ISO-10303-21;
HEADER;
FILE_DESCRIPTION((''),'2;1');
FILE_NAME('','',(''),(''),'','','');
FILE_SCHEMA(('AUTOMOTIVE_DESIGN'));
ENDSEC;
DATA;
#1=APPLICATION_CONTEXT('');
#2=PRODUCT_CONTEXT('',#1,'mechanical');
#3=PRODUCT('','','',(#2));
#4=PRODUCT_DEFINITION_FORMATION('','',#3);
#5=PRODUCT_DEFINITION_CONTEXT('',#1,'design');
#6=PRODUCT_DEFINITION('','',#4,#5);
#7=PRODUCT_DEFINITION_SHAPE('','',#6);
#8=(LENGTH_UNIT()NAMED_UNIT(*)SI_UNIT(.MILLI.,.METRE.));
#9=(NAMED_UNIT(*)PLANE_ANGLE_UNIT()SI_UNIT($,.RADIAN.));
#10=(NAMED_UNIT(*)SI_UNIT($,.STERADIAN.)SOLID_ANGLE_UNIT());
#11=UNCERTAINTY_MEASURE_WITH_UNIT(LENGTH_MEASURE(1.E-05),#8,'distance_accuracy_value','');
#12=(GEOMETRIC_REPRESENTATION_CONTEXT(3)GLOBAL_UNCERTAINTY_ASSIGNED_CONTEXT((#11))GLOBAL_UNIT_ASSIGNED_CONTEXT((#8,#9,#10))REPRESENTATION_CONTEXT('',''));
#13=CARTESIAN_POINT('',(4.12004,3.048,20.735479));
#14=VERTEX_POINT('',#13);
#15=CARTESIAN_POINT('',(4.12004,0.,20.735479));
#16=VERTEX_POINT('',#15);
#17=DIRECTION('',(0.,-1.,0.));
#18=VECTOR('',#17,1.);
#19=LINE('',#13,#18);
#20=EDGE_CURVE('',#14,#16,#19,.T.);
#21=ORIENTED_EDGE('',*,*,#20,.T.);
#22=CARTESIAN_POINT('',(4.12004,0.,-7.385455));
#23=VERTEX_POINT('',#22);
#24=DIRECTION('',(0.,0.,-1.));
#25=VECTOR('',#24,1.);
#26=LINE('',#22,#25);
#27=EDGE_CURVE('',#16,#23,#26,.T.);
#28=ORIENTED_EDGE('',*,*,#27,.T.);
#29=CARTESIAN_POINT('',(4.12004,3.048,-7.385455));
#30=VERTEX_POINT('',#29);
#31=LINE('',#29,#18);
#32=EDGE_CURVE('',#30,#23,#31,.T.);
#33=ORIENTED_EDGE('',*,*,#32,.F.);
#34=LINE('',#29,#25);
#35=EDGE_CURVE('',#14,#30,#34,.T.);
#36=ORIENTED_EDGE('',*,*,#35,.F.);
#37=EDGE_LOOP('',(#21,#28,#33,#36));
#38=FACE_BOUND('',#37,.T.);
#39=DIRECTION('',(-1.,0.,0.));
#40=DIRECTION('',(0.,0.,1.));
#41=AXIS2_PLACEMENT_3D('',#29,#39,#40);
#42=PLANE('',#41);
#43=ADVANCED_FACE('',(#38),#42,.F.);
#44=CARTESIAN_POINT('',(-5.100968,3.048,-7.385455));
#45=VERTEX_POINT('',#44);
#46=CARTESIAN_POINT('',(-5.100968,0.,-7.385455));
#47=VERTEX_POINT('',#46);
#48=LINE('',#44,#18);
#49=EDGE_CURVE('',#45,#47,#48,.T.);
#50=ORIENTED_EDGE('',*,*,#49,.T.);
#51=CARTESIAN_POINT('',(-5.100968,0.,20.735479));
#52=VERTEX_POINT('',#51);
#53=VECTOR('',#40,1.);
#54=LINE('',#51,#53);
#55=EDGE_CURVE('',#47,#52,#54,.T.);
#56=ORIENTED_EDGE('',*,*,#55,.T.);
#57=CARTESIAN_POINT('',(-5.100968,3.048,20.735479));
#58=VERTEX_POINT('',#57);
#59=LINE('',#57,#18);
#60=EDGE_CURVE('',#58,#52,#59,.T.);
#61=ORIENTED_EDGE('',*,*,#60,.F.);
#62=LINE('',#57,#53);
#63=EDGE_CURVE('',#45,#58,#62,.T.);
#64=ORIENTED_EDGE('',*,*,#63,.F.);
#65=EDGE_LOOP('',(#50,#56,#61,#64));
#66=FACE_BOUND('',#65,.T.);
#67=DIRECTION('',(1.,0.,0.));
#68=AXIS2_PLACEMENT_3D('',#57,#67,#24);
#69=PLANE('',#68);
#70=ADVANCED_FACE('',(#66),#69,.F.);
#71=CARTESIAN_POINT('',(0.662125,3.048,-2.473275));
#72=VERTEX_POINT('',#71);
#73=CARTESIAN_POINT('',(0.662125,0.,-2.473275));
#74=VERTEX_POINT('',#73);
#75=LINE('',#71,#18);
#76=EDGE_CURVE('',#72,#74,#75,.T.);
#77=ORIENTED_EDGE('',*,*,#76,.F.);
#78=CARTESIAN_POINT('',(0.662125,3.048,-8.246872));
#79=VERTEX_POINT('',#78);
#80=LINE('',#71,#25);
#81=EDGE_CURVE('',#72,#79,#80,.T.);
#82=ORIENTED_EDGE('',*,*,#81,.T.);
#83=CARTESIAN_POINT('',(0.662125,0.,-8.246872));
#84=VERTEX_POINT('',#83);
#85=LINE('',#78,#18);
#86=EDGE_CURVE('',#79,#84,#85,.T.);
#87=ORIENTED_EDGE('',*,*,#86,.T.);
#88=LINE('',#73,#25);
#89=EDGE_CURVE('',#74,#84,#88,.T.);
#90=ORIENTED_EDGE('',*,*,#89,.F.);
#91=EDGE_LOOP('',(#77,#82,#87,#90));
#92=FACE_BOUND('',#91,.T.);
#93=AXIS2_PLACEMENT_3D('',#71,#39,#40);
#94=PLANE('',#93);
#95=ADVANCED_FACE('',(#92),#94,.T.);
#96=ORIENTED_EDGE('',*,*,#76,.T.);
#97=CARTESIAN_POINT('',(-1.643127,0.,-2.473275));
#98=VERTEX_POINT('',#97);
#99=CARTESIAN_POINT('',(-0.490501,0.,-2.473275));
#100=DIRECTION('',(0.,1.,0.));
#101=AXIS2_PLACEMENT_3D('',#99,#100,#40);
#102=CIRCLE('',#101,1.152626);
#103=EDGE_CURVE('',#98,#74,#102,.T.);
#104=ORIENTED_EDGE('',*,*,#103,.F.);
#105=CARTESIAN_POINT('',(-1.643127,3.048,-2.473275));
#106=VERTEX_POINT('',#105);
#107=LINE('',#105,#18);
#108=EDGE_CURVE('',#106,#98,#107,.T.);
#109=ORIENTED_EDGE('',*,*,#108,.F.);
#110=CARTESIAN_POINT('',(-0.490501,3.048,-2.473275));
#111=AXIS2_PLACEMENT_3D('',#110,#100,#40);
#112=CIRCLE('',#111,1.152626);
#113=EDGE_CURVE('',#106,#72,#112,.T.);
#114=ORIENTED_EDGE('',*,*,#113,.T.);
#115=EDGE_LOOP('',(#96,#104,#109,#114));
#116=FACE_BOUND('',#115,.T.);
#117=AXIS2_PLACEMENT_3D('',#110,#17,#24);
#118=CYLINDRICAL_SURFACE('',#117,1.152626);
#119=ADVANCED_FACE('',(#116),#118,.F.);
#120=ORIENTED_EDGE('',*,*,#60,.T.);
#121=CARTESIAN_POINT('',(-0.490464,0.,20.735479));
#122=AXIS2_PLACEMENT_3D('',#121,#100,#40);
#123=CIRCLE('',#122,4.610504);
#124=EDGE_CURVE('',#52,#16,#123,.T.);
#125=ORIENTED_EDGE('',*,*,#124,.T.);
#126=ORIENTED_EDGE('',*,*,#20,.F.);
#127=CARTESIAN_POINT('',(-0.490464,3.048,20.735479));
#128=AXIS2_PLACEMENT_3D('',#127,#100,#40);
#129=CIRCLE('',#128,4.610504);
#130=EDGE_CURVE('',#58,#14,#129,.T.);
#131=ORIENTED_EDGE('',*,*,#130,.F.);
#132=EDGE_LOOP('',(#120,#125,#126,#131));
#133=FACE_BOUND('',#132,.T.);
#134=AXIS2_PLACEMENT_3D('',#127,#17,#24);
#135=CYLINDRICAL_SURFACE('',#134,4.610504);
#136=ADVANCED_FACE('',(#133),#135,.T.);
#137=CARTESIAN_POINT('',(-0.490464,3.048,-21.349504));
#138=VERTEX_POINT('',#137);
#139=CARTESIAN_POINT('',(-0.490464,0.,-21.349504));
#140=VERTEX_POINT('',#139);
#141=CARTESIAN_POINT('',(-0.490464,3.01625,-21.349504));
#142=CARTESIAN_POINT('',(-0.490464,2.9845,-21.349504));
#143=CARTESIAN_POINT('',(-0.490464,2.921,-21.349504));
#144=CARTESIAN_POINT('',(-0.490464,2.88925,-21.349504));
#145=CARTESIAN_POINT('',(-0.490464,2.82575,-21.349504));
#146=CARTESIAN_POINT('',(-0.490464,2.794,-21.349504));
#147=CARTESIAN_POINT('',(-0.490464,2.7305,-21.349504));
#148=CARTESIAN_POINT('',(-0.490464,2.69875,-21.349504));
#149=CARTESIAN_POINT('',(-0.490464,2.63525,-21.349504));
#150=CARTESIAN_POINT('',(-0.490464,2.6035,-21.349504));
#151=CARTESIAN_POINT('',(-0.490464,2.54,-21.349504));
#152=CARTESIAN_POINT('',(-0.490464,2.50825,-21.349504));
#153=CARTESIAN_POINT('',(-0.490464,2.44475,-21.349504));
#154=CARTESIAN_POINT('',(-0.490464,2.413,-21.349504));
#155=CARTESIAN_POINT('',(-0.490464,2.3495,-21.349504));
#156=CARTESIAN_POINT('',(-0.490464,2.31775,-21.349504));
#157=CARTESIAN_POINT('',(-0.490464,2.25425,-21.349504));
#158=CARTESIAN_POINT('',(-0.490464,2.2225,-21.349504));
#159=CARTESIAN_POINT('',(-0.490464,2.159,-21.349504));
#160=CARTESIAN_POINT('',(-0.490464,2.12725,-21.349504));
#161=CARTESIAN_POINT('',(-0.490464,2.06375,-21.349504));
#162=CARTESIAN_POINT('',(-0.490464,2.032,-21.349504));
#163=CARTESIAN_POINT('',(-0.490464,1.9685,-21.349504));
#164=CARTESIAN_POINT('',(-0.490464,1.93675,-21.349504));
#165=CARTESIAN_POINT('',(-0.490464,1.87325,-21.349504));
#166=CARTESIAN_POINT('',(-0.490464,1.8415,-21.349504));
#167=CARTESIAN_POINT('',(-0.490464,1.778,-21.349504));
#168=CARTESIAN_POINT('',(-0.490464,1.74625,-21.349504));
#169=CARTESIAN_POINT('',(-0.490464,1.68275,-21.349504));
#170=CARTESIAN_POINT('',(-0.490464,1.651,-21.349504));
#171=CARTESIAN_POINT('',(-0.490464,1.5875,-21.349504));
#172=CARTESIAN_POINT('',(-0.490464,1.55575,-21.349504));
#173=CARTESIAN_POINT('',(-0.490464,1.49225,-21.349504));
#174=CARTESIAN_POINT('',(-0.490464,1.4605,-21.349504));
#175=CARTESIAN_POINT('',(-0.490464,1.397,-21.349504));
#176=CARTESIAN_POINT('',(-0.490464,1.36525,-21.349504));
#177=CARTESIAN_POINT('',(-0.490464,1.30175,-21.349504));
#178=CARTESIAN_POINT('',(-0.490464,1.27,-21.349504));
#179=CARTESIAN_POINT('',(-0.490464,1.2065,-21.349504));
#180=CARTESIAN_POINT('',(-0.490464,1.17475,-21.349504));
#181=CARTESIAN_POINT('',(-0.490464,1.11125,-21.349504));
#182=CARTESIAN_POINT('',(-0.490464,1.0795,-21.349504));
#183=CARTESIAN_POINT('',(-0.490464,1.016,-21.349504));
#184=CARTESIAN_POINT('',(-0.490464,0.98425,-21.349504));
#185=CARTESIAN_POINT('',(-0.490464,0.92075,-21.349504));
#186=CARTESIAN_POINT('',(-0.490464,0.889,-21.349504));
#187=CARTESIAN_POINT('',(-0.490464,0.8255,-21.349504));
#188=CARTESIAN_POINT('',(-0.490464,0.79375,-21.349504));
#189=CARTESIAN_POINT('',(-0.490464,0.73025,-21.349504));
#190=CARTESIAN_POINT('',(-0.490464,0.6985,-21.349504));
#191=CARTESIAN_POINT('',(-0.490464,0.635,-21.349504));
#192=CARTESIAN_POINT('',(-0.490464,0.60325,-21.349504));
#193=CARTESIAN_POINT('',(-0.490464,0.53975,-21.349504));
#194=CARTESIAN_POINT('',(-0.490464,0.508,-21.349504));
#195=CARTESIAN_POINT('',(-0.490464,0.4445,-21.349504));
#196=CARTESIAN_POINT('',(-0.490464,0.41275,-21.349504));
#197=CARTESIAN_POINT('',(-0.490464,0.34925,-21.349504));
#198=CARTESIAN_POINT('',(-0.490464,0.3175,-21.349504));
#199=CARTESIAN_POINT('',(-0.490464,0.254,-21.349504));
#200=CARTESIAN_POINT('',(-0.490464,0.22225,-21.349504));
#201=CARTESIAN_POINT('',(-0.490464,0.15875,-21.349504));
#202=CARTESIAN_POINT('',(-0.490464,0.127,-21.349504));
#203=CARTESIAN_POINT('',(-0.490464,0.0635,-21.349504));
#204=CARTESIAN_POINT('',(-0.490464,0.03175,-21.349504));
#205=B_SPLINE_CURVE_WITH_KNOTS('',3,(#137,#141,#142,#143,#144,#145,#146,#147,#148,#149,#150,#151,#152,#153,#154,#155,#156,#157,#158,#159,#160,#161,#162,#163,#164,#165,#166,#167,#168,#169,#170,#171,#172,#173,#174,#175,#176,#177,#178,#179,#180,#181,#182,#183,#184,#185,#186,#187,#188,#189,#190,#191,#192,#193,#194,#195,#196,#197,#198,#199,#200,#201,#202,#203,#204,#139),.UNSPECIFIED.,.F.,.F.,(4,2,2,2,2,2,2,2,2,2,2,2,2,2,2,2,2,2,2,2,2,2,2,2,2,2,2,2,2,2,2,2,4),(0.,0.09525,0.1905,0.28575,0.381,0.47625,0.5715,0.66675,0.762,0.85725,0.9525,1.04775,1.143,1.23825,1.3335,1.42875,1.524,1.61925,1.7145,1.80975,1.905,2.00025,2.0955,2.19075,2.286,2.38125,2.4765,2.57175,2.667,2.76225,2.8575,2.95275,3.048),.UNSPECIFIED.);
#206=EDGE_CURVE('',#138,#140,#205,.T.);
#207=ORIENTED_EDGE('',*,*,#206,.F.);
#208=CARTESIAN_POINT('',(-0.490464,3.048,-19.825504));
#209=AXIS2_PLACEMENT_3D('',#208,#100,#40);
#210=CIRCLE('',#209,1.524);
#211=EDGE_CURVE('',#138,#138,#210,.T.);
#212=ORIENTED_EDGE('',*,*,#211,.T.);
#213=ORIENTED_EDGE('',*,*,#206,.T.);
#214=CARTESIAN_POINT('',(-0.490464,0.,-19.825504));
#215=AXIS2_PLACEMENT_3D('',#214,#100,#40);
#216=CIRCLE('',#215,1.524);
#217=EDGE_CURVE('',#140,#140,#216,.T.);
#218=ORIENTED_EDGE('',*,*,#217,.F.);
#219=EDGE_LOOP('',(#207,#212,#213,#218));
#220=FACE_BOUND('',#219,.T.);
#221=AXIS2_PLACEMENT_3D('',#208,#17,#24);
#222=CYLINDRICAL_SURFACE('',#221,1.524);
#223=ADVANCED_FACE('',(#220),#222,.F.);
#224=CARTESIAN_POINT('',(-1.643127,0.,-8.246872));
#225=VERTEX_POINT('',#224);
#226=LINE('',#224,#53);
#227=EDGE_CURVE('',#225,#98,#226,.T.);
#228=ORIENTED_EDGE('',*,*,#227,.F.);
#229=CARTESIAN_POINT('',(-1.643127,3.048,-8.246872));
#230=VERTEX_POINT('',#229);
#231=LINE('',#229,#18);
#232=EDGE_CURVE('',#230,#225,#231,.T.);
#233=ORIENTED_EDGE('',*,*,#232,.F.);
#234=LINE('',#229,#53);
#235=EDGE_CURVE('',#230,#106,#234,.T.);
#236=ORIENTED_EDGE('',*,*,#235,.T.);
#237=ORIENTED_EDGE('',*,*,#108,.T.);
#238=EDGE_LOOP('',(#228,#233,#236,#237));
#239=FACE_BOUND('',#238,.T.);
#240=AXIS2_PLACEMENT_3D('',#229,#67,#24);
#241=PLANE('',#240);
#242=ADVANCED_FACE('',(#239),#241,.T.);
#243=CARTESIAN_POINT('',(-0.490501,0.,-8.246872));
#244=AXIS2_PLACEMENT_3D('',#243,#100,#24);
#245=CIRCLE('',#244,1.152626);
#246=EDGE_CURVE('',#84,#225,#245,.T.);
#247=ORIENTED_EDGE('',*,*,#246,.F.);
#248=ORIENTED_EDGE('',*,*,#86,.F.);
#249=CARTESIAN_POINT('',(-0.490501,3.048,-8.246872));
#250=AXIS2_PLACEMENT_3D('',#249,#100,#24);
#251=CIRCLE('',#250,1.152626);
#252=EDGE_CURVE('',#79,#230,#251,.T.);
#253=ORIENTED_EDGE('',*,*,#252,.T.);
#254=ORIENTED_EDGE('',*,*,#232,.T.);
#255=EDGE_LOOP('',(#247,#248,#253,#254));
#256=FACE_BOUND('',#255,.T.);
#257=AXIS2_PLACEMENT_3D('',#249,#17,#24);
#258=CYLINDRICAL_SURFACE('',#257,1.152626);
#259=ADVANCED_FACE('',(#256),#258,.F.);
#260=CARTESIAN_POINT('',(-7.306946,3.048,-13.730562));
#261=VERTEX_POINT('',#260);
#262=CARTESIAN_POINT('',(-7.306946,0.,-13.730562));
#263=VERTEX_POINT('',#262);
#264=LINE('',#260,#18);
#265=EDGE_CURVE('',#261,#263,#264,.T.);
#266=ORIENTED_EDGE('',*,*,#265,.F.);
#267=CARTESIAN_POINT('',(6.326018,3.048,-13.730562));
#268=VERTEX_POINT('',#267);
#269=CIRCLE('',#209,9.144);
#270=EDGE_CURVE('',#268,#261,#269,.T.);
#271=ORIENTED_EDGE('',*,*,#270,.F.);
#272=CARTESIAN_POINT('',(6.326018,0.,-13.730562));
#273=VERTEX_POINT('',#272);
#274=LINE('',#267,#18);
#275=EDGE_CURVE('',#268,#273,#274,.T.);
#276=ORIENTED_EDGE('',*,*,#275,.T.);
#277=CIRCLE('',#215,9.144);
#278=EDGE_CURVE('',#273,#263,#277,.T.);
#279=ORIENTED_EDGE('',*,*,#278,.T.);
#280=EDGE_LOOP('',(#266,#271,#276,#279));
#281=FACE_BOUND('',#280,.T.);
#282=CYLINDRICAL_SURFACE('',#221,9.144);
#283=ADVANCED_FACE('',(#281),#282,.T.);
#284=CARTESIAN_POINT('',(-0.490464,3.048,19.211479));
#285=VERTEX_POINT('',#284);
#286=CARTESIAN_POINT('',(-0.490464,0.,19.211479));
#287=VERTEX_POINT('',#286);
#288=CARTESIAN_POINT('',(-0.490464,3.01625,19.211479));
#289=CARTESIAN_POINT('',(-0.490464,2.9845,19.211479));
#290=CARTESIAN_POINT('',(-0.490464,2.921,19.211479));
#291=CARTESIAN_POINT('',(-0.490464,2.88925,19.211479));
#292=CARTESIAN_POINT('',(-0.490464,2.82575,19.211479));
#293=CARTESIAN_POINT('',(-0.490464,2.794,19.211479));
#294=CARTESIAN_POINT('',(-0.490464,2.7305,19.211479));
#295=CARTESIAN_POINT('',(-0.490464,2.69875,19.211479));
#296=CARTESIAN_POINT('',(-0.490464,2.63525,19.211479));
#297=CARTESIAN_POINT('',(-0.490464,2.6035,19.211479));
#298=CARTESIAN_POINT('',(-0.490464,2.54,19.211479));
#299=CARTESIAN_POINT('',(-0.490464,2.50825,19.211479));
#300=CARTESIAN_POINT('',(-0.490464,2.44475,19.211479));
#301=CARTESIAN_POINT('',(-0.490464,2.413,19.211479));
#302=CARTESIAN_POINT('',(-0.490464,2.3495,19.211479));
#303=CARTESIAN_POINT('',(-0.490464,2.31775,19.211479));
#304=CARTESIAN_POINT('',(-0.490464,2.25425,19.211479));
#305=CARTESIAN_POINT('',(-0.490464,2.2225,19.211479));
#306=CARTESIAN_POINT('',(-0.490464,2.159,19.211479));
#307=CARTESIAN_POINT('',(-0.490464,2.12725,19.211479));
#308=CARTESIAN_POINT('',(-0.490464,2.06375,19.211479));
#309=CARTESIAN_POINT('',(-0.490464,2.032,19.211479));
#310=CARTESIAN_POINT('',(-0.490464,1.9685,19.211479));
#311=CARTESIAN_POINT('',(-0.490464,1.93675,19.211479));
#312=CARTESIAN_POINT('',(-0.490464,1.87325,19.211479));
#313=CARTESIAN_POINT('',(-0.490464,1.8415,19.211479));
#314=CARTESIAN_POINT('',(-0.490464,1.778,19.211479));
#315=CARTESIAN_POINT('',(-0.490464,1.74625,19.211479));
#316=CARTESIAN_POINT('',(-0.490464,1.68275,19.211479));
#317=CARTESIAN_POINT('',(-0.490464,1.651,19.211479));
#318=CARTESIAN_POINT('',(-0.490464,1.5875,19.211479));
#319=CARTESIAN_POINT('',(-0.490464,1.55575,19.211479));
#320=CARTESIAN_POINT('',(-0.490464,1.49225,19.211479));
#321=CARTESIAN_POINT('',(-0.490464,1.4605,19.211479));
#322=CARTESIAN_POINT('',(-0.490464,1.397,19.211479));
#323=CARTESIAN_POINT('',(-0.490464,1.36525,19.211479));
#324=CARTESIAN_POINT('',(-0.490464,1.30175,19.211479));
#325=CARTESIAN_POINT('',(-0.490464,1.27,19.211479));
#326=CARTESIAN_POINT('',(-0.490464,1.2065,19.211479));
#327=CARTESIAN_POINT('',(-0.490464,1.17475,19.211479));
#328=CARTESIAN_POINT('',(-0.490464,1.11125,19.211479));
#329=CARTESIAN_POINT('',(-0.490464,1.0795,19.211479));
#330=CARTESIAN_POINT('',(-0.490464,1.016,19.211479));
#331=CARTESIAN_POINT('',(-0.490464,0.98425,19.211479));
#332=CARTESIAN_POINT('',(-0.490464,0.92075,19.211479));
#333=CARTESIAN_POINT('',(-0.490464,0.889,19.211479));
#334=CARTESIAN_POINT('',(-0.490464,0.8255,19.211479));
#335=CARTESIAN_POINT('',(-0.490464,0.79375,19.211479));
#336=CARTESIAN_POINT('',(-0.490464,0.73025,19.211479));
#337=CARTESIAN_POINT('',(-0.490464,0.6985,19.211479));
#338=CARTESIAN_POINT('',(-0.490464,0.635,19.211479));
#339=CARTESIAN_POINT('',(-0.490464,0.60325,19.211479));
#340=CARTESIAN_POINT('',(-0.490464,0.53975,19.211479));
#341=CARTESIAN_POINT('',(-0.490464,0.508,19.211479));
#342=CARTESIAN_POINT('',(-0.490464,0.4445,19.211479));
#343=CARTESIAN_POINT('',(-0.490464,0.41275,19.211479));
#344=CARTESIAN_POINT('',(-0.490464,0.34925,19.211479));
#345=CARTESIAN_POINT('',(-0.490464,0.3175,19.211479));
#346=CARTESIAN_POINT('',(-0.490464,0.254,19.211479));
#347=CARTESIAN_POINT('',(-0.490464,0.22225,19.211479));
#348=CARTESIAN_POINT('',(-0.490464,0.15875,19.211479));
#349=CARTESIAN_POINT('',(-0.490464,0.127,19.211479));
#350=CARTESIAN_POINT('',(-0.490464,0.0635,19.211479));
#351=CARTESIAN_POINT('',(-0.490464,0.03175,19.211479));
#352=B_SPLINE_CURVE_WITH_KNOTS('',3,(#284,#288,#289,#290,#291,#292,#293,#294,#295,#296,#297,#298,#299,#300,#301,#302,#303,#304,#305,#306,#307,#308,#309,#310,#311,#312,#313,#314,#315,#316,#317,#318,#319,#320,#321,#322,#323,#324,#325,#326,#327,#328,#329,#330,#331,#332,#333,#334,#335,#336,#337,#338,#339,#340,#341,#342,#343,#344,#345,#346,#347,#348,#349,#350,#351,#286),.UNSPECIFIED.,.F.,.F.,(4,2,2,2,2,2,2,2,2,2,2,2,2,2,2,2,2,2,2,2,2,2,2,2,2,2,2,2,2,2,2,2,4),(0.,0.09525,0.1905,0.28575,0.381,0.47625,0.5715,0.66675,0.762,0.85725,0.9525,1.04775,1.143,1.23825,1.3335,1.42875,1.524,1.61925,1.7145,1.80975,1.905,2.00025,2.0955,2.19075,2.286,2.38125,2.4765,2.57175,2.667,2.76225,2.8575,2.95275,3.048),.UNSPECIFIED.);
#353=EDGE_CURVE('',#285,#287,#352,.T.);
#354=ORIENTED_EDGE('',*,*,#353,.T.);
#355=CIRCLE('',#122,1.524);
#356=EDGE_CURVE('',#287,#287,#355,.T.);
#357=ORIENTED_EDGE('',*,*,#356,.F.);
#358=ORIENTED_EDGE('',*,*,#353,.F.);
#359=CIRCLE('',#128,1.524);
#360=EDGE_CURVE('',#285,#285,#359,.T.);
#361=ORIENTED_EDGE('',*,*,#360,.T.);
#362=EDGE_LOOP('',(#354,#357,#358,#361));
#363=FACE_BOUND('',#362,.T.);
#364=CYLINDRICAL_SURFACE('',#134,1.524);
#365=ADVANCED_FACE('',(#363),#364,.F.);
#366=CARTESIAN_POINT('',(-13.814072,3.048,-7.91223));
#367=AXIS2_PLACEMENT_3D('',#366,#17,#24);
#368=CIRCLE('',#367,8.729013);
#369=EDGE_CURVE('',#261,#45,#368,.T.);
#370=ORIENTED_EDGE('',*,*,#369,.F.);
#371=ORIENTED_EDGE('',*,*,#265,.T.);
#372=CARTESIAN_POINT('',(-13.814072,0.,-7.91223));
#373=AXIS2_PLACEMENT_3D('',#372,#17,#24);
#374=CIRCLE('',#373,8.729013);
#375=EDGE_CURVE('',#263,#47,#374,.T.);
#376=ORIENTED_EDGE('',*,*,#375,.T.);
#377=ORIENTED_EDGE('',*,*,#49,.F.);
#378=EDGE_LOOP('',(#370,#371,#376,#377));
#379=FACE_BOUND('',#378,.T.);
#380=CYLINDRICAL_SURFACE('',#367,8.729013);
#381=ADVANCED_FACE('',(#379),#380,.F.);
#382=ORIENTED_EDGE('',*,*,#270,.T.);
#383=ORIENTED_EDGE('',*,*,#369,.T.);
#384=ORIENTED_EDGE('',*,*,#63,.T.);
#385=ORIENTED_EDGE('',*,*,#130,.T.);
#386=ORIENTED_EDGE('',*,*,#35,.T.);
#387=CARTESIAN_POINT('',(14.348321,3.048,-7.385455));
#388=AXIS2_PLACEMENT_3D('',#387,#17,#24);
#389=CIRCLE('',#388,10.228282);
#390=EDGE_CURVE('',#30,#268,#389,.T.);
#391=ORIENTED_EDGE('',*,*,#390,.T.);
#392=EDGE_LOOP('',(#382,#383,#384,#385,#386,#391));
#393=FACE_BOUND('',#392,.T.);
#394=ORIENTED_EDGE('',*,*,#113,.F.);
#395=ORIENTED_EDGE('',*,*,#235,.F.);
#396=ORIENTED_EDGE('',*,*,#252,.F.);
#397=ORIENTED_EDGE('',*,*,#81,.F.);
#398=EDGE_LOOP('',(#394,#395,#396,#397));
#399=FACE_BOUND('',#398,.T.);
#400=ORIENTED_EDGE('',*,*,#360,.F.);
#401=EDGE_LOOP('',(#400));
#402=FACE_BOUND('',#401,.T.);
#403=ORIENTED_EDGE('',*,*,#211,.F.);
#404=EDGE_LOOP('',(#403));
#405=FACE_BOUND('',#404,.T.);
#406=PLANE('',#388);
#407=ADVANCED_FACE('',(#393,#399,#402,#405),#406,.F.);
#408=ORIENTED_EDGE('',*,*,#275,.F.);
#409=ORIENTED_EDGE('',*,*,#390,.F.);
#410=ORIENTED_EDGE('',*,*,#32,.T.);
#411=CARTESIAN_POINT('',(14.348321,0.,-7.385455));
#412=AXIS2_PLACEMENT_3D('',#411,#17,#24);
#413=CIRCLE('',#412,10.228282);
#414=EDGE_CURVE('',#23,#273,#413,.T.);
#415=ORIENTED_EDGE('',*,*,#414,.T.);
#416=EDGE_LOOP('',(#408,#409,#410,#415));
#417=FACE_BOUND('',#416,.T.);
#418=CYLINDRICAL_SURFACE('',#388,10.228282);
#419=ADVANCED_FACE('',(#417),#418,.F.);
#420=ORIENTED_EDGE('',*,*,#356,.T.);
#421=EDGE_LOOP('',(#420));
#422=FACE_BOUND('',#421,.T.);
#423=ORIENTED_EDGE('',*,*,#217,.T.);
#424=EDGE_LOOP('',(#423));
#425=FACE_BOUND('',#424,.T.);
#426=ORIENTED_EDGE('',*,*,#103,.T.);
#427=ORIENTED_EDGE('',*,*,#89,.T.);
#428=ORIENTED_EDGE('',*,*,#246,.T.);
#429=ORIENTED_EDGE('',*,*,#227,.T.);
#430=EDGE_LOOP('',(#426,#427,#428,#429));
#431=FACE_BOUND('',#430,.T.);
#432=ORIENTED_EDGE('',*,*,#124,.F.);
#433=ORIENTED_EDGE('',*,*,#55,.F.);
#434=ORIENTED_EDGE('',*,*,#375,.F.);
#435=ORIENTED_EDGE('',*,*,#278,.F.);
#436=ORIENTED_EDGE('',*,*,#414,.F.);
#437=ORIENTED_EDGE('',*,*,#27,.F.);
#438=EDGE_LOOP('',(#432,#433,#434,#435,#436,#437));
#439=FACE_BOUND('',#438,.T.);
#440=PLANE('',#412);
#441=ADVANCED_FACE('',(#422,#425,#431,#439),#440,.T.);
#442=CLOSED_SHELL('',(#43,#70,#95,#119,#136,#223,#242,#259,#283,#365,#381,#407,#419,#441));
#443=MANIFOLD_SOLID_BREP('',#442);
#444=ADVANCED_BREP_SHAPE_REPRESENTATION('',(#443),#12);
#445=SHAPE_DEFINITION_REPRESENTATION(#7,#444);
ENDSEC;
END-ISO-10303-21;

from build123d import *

# Parameters (mm, degrees)
SKETCH1_R           = 1.524
BOSS_EXTRUDE1_DEPTH = 3.048


with BuildPart() as part:
    # Sketch1 → Boss-Extrude1 (new body)
    with BuildSketch(Plane(origin=(0, 0, 0), x_dir=(1, 0, 0), z_dir=(0, 1, 0))):
        with BuildLine():
            Line((4.120039677, 7.385454502), (4.120039677, -20.735478746))
            ThreePointArc((4.120039677, -20.735478746), (-0.490464098, -25.345982522), (-5.100967874, -20.735478746))
            Line((-5.100967874, -20.735478746), (-5.100967874, 7.385454502))
            ThreePointArc((-5.100967874, 7.385454502), (-5.569137189, 10.778713446), (-7.306945844, 13.730561993))
            ThreePointArc((-7.306945844, 13.730561993), (-0.490464096, 28.96950355), (6.326017651, 13.730561993))
            ThreePointArc((6.326017651, 13.730561993), (4.687262198, 10.744276018), (4.120039677, 7.385454502))
        make_face()
        with Locations(Location((-0.490464098, -20.735478746, 0), (0, 0, 90))):
            Circle(SKETCH1_R, mode=Mode.SUBTRACT)
        with Locations(Location((-0.490464096, 19.82550355, 0), (0, 0, 90))):
            Circle(SKETCH1_R, mode=Mode.SUBTRACT)
        with BuildLine():
            Line((-1.643126624, 8.246871525), (-1.643126624, 2.47327546))
            ThreePointArc((-1.643126624, 2.47327546), (-0.49050068, 1.320649517), (0.662125264, 2.47327546))
            Line((0.662125264, 2.47327546), (0.662125264, 8.246871525))
            ThreePointArc((0.662125264, 8.246871525), (-0.49050068, 9.399497469), (-1.643126624, 8.246871525))
        make_face(mode=Mode.SUBTRACT)
    extrude(amount=BOSS_EXTRUDE1_DEPTH)


solid = part.part
